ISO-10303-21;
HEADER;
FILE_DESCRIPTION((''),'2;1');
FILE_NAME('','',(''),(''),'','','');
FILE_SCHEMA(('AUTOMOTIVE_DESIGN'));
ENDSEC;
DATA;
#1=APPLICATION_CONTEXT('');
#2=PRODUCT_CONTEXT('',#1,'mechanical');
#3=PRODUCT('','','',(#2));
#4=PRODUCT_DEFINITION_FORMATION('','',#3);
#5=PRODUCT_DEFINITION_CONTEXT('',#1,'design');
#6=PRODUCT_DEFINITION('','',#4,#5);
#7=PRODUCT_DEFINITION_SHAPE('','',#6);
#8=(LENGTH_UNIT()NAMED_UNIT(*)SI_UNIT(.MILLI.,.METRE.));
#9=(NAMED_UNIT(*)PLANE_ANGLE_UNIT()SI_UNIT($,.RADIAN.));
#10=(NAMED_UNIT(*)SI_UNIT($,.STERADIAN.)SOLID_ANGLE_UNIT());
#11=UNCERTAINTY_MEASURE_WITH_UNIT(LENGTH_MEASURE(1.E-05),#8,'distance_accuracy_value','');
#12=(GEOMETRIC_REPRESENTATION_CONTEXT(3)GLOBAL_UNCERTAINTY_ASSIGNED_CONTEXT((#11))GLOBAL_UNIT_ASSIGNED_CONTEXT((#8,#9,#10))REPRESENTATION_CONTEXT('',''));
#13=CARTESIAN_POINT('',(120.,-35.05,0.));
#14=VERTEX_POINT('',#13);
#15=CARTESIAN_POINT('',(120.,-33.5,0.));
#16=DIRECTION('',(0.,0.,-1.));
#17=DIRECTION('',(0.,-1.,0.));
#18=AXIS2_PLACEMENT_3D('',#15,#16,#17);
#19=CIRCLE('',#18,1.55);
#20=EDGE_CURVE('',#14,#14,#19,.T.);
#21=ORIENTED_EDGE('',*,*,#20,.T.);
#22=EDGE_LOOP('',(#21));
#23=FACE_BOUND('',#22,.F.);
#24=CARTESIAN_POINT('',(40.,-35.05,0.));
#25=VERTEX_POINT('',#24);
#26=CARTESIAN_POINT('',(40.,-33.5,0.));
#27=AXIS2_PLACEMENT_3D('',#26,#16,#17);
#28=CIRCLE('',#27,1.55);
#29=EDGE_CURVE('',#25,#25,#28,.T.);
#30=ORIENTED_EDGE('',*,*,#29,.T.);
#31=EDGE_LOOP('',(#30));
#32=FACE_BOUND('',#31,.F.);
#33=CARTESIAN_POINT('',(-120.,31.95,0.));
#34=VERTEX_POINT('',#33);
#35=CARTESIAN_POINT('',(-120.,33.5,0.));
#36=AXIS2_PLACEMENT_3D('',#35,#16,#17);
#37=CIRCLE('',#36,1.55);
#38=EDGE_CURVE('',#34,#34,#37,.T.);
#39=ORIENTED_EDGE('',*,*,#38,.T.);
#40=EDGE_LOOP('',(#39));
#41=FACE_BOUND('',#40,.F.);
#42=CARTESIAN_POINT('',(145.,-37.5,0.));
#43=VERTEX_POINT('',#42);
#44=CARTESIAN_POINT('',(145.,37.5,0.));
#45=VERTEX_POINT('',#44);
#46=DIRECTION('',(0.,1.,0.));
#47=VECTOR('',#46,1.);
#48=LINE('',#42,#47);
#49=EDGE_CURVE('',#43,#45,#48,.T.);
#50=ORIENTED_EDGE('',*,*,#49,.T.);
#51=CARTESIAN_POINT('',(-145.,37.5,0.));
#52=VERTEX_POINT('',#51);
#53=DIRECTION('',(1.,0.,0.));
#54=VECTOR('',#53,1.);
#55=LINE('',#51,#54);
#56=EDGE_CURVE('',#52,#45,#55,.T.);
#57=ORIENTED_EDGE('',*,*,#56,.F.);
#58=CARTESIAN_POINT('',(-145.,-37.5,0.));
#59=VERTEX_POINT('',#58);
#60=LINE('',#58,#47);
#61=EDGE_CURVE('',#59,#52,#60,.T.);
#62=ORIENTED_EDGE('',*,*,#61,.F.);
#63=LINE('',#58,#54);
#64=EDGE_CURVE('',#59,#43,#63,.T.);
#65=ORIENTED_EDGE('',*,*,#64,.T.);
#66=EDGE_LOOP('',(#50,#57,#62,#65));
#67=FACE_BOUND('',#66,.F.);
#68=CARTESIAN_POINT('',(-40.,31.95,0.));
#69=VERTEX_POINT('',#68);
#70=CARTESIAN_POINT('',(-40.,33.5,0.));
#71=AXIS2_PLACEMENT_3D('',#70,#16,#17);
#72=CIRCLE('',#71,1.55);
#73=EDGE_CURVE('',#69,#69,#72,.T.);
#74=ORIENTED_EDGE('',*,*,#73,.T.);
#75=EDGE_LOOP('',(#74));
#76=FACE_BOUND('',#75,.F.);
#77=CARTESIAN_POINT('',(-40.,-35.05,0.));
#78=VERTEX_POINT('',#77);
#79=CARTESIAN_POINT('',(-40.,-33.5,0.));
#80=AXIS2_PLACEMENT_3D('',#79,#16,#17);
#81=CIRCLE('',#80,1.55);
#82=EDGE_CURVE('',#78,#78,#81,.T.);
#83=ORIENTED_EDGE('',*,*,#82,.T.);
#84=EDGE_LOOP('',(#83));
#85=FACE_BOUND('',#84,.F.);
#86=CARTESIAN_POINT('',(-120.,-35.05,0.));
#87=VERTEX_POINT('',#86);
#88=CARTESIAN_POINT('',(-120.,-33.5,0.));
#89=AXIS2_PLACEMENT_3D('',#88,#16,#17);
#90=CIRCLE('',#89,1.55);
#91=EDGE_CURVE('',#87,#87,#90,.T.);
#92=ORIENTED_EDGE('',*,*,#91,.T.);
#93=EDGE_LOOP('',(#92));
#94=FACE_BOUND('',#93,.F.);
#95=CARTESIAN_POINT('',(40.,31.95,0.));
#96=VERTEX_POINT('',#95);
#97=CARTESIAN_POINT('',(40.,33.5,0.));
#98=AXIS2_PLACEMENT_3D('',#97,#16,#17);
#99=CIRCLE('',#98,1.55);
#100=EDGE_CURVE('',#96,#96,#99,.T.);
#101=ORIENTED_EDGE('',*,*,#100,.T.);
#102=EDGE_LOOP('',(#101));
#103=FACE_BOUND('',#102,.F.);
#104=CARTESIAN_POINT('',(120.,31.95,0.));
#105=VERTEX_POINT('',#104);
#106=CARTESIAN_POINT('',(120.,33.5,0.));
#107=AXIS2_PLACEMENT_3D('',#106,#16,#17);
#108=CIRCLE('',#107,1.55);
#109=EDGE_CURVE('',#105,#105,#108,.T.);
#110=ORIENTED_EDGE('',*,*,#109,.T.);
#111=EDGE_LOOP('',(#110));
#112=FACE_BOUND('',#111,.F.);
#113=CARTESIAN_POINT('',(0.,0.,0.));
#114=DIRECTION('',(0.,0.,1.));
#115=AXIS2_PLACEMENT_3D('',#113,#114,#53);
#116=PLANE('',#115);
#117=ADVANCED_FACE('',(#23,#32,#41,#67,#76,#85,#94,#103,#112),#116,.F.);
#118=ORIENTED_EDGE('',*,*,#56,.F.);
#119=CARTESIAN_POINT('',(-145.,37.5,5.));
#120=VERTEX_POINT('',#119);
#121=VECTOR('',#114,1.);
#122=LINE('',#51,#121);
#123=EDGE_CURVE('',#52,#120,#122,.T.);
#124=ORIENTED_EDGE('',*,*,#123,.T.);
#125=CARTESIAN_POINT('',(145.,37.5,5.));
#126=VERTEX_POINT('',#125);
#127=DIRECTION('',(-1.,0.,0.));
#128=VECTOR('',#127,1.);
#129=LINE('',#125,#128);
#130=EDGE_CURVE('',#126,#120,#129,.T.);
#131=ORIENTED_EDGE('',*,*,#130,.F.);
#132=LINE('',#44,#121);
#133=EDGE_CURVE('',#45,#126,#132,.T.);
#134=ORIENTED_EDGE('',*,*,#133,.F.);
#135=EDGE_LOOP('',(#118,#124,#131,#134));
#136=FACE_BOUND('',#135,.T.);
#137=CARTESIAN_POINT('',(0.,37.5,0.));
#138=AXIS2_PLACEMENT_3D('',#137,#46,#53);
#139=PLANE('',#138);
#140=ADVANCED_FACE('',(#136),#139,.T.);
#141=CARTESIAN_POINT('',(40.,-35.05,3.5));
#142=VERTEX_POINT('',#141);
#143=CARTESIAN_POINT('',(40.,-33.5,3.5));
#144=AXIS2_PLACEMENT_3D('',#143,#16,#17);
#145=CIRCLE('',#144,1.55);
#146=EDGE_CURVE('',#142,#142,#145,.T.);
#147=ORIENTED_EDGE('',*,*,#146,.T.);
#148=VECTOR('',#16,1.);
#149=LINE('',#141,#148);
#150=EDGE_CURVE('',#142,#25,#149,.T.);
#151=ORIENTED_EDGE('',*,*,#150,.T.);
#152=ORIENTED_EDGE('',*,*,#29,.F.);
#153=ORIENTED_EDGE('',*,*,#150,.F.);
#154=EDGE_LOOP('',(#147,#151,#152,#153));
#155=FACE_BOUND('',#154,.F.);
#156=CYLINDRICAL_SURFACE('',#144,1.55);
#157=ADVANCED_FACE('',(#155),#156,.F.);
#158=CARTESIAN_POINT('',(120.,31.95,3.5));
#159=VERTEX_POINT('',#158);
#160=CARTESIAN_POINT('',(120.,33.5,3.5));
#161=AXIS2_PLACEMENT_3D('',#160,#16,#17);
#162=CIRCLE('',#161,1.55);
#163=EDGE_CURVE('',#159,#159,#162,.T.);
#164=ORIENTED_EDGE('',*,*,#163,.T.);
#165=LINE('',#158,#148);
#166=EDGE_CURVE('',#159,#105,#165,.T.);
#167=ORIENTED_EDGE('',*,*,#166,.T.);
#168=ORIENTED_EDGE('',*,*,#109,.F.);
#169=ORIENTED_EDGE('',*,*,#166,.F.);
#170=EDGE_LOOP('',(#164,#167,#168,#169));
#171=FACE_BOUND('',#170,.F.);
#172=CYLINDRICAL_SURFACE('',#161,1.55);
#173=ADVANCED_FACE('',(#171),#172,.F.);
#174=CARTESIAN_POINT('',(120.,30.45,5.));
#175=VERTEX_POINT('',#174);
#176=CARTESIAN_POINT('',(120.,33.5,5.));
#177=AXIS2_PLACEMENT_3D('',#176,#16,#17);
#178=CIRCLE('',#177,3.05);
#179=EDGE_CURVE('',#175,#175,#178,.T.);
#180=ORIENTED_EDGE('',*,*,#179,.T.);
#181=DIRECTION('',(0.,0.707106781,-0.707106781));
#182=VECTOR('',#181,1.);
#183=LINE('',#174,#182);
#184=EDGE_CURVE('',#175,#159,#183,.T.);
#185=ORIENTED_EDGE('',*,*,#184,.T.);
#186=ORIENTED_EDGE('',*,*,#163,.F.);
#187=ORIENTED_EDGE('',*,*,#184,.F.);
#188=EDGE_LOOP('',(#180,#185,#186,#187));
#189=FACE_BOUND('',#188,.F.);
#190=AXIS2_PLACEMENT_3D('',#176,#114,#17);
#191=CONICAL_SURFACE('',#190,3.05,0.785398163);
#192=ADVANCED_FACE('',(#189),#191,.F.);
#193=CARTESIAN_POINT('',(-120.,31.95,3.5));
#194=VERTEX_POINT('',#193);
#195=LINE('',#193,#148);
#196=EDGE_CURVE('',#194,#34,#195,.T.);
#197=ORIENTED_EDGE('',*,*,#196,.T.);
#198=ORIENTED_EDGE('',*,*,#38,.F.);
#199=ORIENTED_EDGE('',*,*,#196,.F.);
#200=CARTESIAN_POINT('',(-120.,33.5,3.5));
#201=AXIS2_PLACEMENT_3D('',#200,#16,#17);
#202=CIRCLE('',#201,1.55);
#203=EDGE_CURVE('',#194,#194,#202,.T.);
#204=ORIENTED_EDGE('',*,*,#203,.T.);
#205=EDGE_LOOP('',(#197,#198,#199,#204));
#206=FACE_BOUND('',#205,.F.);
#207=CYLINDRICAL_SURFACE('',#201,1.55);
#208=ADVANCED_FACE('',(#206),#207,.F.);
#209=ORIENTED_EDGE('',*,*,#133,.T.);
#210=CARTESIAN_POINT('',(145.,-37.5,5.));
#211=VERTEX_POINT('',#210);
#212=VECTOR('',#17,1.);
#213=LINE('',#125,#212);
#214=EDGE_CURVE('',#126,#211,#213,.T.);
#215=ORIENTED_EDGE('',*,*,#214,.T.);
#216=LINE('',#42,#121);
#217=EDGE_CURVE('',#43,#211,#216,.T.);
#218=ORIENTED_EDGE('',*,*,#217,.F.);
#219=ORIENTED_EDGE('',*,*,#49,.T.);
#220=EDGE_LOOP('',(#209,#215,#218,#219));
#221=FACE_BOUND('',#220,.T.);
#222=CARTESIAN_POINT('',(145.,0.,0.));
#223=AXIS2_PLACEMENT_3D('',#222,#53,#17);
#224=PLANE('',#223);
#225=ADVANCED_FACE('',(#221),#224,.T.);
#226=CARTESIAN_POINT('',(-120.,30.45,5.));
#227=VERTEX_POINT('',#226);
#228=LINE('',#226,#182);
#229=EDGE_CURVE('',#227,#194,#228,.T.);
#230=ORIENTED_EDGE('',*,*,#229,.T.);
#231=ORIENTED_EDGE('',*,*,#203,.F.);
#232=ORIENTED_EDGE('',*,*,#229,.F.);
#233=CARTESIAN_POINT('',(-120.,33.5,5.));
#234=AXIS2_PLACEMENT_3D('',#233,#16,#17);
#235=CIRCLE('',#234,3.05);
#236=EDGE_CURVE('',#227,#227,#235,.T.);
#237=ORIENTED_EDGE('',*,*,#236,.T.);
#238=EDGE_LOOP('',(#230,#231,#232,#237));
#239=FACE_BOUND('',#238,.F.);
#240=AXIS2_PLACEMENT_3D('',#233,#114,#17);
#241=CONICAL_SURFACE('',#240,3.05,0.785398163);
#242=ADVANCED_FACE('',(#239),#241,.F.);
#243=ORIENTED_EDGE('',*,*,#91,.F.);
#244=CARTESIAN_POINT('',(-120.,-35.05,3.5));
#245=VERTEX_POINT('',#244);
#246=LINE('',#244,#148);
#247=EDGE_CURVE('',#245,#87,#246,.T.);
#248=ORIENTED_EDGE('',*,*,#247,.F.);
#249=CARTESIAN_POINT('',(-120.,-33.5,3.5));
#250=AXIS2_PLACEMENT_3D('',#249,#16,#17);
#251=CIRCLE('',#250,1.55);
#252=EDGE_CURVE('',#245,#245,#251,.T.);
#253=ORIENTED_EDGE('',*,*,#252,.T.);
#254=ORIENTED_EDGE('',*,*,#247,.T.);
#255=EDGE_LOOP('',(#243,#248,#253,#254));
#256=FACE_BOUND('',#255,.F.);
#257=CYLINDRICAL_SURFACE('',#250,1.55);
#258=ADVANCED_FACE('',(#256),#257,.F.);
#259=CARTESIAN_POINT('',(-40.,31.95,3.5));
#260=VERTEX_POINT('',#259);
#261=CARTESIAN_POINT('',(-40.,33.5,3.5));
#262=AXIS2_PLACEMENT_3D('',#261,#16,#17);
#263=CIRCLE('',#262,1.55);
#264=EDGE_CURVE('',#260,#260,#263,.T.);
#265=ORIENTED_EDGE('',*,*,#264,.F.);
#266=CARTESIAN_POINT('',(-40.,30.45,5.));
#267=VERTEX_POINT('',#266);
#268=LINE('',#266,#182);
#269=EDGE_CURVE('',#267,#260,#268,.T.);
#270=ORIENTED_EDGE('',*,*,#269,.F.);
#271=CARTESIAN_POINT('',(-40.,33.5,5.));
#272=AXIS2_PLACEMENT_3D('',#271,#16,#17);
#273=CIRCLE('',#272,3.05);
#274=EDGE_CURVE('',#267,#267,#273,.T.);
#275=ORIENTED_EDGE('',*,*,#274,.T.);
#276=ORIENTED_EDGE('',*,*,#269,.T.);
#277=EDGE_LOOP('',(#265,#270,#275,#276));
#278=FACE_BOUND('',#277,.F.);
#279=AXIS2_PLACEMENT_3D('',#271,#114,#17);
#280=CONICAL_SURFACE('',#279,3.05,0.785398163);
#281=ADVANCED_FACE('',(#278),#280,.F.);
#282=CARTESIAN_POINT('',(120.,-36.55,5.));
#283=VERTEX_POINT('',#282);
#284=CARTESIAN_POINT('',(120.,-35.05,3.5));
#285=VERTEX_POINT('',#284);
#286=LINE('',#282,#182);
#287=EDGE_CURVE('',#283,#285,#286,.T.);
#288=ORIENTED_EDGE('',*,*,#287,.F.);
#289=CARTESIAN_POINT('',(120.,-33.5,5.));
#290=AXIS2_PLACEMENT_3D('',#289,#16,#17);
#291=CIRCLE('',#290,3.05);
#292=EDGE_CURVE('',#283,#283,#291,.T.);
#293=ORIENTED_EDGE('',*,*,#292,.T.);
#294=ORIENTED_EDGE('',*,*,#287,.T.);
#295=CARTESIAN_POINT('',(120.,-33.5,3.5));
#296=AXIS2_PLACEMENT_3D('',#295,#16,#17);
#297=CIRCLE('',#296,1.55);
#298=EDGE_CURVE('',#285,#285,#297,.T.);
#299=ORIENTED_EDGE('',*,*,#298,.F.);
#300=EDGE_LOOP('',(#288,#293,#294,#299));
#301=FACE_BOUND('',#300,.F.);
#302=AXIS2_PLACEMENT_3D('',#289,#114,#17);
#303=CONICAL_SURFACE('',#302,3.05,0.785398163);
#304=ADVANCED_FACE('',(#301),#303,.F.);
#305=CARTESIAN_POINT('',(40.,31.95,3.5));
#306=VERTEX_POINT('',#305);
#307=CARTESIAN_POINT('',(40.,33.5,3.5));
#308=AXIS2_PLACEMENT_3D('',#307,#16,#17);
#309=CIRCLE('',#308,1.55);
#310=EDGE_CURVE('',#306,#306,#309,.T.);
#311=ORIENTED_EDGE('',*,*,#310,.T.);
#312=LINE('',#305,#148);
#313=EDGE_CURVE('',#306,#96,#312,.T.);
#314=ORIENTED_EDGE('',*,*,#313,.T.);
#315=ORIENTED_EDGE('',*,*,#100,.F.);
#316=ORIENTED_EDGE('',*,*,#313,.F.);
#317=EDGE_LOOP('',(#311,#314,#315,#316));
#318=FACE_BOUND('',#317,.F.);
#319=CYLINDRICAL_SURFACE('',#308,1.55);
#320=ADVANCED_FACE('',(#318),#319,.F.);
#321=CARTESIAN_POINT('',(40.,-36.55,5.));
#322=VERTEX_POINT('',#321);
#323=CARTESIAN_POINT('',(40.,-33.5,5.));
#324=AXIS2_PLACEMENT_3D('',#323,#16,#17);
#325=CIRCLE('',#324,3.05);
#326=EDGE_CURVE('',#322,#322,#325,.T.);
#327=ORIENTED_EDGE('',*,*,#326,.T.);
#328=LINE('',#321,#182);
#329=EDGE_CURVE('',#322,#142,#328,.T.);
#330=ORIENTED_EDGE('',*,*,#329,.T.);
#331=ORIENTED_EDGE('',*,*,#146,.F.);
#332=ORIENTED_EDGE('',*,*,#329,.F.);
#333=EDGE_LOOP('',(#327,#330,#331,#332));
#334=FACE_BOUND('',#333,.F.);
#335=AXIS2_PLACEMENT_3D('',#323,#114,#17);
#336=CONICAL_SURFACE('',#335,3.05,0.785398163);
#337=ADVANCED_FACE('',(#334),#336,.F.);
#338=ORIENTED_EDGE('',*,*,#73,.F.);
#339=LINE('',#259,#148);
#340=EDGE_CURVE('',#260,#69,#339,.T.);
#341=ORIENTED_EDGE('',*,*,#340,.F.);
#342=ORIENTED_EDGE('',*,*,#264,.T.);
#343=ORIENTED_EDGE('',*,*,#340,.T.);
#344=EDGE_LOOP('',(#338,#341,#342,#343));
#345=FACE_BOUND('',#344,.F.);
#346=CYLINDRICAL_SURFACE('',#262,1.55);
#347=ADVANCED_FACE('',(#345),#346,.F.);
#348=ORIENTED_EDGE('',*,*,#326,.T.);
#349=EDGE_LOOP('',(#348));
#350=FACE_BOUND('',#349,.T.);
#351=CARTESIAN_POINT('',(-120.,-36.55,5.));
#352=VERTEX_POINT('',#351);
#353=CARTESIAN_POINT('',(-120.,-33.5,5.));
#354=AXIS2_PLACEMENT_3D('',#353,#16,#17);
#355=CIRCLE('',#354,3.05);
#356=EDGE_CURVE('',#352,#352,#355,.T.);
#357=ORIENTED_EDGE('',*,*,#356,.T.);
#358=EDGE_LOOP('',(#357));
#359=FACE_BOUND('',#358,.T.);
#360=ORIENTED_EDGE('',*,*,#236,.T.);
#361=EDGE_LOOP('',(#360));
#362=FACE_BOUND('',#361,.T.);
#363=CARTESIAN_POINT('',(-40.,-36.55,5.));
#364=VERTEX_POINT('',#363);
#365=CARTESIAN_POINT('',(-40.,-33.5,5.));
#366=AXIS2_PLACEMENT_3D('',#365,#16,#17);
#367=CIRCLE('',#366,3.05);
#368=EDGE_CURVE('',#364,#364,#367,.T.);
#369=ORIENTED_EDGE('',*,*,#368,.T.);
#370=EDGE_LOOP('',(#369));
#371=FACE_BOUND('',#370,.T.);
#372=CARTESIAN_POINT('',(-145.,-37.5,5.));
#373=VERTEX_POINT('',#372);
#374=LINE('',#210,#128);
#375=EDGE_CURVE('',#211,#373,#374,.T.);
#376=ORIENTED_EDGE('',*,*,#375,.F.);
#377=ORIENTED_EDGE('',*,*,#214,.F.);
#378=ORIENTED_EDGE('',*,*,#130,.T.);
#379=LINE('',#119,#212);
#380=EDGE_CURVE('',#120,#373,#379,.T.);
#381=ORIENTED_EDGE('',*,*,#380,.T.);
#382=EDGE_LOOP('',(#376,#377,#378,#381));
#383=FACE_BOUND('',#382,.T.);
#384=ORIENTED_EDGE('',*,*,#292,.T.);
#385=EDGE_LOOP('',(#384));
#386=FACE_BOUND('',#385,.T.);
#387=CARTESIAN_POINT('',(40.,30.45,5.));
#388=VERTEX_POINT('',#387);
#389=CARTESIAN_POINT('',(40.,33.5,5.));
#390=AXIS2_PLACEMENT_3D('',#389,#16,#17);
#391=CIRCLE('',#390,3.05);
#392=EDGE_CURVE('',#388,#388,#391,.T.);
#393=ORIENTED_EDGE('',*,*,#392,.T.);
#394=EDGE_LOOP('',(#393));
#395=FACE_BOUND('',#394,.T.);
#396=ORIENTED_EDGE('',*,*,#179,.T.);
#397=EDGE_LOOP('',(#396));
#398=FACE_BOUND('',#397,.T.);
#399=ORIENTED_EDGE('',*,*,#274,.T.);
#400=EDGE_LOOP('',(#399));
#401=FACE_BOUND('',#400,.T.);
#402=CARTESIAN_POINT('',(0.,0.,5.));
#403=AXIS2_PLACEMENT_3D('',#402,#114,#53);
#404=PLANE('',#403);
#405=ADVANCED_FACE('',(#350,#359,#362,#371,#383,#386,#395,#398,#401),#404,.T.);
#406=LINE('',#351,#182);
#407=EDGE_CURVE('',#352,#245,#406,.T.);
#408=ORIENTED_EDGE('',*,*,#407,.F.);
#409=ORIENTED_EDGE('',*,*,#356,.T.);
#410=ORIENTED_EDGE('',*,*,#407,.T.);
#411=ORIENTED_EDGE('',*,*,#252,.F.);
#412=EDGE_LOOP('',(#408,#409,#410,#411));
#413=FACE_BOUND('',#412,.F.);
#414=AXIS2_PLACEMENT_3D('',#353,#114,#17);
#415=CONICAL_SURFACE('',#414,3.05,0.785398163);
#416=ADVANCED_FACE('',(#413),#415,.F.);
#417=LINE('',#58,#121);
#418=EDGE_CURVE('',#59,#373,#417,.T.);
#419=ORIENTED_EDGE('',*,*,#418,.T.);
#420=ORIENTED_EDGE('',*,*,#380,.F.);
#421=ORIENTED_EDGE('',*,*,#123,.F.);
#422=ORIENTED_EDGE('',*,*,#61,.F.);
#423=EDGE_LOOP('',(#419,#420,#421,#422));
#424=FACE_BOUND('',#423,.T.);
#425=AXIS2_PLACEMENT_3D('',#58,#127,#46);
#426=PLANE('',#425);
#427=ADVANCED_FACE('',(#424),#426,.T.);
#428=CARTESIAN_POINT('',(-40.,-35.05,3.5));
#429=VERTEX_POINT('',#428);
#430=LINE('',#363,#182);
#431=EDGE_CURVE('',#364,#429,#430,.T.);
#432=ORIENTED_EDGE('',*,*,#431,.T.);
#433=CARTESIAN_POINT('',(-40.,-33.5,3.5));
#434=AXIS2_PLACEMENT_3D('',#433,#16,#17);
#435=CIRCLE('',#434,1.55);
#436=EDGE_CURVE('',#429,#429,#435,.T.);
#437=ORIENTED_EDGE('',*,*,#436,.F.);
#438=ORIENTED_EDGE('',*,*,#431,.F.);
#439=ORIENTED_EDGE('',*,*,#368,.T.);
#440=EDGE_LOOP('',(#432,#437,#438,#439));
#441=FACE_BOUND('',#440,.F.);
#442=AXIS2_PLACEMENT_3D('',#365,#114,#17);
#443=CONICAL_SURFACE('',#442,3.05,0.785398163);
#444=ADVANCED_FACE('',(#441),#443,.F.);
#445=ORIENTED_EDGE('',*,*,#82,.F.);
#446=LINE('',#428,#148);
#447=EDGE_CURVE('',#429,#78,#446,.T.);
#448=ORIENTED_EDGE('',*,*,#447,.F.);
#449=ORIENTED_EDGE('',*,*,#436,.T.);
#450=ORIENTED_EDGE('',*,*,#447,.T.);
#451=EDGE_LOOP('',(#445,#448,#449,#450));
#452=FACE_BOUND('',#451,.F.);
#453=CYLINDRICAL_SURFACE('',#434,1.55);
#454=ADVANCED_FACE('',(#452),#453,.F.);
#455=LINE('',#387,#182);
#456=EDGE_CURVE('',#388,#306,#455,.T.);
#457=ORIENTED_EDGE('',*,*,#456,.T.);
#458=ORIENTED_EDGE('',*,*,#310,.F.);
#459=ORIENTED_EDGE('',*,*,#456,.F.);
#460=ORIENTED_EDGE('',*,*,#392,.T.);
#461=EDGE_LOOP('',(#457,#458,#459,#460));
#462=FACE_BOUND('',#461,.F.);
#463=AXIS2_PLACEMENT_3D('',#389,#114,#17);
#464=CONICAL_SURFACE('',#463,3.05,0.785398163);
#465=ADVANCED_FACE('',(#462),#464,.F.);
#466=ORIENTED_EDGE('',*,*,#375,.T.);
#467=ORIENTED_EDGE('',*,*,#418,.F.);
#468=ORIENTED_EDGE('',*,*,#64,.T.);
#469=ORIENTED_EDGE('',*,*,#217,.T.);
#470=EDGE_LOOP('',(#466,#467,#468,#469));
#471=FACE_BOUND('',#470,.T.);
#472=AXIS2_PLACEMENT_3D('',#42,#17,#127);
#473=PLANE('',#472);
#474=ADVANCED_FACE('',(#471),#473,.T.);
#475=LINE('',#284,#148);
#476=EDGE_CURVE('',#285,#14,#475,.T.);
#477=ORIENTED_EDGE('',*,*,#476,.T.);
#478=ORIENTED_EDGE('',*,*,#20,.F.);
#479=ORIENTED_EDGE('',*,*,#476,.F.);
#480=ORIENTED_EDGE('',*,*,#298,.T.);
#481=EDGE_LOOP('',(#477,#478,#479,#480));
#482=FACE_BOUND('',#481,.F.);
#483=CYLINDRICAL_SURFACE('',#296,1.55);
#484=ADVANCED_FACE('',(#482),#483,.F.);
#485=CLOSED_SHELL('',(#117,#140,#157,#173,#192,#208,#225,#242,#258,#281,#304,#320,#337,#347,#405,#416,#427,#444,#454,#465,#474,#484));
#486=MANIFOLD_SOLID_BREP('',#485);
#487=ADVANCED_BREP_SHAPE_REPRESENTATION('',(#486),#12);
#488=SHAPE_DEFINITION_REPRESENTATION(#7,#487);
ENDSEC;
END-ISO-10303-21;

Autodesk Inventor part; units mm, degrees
ref_plane "YZ Plane" through (0, 0, 0) normal (1, 0, 0) x (0, 1, 0)
ref_plane "XZ Plane" through (0, 0, 0) normal (0, 1, 0) x (-1, 0, 0)
ref_plane "XY Plane" through (0, 0, 0) normal (0, 0, 1) x (1, 0, 0)
sketch "Skizze1" plane through (0, 0, 0) normal (0, 0, 1) x (1, 0, 0)
  line L0 (145, -37.5) -> (-145, -37.5)
  line L1 (-145, -37.5) -> (-145, 37.5)
  line L2 (-145, 37.5) -> (145, 37.5)
  line L3 (145, 37.5) -> (145, -37.5)
  line L4 (0, 52.5) -> (0, -52.5) projected
  line L5 (-203, 0) -> (203, 0) projected
  point P0 (0, 0)
  point P1 (0, -37.5)
  point P2 (-145, 0)
  dimension "d0" = 290
  dimension "d1" = 75
extrude "Extrusion1" add sketch "Skizze1" along normal blind 5
sketch "Skizze2" plane through (0, 0, 5) normal (0, 0, 1) x (1, 0, 0)
  line L0 (-145, -37.5) -> (-145, 37.5) projected
  line L1 (145, -37.5) -> (-145, -37.5) projected
  point P0 (0, 0)
  point P1 (-120, -33.5)
  dimension "d4" = 25
  dimension "d5" = 4
hole "Bohrung1" at (-120, -33.5, 5) direction (0, 0, -1) diameter 3.1 end through all countersink diameter 6.1 countersink angle 90
pattern_linear "Rechteckige Anordnung1" count 4 spacing 80 along (1, 0, 0) count 2 spacing 67 along (0, 1, 0) of "Bohrung1"
properties part number "Tunneldecke" material "Polycarbonate, Clear"
